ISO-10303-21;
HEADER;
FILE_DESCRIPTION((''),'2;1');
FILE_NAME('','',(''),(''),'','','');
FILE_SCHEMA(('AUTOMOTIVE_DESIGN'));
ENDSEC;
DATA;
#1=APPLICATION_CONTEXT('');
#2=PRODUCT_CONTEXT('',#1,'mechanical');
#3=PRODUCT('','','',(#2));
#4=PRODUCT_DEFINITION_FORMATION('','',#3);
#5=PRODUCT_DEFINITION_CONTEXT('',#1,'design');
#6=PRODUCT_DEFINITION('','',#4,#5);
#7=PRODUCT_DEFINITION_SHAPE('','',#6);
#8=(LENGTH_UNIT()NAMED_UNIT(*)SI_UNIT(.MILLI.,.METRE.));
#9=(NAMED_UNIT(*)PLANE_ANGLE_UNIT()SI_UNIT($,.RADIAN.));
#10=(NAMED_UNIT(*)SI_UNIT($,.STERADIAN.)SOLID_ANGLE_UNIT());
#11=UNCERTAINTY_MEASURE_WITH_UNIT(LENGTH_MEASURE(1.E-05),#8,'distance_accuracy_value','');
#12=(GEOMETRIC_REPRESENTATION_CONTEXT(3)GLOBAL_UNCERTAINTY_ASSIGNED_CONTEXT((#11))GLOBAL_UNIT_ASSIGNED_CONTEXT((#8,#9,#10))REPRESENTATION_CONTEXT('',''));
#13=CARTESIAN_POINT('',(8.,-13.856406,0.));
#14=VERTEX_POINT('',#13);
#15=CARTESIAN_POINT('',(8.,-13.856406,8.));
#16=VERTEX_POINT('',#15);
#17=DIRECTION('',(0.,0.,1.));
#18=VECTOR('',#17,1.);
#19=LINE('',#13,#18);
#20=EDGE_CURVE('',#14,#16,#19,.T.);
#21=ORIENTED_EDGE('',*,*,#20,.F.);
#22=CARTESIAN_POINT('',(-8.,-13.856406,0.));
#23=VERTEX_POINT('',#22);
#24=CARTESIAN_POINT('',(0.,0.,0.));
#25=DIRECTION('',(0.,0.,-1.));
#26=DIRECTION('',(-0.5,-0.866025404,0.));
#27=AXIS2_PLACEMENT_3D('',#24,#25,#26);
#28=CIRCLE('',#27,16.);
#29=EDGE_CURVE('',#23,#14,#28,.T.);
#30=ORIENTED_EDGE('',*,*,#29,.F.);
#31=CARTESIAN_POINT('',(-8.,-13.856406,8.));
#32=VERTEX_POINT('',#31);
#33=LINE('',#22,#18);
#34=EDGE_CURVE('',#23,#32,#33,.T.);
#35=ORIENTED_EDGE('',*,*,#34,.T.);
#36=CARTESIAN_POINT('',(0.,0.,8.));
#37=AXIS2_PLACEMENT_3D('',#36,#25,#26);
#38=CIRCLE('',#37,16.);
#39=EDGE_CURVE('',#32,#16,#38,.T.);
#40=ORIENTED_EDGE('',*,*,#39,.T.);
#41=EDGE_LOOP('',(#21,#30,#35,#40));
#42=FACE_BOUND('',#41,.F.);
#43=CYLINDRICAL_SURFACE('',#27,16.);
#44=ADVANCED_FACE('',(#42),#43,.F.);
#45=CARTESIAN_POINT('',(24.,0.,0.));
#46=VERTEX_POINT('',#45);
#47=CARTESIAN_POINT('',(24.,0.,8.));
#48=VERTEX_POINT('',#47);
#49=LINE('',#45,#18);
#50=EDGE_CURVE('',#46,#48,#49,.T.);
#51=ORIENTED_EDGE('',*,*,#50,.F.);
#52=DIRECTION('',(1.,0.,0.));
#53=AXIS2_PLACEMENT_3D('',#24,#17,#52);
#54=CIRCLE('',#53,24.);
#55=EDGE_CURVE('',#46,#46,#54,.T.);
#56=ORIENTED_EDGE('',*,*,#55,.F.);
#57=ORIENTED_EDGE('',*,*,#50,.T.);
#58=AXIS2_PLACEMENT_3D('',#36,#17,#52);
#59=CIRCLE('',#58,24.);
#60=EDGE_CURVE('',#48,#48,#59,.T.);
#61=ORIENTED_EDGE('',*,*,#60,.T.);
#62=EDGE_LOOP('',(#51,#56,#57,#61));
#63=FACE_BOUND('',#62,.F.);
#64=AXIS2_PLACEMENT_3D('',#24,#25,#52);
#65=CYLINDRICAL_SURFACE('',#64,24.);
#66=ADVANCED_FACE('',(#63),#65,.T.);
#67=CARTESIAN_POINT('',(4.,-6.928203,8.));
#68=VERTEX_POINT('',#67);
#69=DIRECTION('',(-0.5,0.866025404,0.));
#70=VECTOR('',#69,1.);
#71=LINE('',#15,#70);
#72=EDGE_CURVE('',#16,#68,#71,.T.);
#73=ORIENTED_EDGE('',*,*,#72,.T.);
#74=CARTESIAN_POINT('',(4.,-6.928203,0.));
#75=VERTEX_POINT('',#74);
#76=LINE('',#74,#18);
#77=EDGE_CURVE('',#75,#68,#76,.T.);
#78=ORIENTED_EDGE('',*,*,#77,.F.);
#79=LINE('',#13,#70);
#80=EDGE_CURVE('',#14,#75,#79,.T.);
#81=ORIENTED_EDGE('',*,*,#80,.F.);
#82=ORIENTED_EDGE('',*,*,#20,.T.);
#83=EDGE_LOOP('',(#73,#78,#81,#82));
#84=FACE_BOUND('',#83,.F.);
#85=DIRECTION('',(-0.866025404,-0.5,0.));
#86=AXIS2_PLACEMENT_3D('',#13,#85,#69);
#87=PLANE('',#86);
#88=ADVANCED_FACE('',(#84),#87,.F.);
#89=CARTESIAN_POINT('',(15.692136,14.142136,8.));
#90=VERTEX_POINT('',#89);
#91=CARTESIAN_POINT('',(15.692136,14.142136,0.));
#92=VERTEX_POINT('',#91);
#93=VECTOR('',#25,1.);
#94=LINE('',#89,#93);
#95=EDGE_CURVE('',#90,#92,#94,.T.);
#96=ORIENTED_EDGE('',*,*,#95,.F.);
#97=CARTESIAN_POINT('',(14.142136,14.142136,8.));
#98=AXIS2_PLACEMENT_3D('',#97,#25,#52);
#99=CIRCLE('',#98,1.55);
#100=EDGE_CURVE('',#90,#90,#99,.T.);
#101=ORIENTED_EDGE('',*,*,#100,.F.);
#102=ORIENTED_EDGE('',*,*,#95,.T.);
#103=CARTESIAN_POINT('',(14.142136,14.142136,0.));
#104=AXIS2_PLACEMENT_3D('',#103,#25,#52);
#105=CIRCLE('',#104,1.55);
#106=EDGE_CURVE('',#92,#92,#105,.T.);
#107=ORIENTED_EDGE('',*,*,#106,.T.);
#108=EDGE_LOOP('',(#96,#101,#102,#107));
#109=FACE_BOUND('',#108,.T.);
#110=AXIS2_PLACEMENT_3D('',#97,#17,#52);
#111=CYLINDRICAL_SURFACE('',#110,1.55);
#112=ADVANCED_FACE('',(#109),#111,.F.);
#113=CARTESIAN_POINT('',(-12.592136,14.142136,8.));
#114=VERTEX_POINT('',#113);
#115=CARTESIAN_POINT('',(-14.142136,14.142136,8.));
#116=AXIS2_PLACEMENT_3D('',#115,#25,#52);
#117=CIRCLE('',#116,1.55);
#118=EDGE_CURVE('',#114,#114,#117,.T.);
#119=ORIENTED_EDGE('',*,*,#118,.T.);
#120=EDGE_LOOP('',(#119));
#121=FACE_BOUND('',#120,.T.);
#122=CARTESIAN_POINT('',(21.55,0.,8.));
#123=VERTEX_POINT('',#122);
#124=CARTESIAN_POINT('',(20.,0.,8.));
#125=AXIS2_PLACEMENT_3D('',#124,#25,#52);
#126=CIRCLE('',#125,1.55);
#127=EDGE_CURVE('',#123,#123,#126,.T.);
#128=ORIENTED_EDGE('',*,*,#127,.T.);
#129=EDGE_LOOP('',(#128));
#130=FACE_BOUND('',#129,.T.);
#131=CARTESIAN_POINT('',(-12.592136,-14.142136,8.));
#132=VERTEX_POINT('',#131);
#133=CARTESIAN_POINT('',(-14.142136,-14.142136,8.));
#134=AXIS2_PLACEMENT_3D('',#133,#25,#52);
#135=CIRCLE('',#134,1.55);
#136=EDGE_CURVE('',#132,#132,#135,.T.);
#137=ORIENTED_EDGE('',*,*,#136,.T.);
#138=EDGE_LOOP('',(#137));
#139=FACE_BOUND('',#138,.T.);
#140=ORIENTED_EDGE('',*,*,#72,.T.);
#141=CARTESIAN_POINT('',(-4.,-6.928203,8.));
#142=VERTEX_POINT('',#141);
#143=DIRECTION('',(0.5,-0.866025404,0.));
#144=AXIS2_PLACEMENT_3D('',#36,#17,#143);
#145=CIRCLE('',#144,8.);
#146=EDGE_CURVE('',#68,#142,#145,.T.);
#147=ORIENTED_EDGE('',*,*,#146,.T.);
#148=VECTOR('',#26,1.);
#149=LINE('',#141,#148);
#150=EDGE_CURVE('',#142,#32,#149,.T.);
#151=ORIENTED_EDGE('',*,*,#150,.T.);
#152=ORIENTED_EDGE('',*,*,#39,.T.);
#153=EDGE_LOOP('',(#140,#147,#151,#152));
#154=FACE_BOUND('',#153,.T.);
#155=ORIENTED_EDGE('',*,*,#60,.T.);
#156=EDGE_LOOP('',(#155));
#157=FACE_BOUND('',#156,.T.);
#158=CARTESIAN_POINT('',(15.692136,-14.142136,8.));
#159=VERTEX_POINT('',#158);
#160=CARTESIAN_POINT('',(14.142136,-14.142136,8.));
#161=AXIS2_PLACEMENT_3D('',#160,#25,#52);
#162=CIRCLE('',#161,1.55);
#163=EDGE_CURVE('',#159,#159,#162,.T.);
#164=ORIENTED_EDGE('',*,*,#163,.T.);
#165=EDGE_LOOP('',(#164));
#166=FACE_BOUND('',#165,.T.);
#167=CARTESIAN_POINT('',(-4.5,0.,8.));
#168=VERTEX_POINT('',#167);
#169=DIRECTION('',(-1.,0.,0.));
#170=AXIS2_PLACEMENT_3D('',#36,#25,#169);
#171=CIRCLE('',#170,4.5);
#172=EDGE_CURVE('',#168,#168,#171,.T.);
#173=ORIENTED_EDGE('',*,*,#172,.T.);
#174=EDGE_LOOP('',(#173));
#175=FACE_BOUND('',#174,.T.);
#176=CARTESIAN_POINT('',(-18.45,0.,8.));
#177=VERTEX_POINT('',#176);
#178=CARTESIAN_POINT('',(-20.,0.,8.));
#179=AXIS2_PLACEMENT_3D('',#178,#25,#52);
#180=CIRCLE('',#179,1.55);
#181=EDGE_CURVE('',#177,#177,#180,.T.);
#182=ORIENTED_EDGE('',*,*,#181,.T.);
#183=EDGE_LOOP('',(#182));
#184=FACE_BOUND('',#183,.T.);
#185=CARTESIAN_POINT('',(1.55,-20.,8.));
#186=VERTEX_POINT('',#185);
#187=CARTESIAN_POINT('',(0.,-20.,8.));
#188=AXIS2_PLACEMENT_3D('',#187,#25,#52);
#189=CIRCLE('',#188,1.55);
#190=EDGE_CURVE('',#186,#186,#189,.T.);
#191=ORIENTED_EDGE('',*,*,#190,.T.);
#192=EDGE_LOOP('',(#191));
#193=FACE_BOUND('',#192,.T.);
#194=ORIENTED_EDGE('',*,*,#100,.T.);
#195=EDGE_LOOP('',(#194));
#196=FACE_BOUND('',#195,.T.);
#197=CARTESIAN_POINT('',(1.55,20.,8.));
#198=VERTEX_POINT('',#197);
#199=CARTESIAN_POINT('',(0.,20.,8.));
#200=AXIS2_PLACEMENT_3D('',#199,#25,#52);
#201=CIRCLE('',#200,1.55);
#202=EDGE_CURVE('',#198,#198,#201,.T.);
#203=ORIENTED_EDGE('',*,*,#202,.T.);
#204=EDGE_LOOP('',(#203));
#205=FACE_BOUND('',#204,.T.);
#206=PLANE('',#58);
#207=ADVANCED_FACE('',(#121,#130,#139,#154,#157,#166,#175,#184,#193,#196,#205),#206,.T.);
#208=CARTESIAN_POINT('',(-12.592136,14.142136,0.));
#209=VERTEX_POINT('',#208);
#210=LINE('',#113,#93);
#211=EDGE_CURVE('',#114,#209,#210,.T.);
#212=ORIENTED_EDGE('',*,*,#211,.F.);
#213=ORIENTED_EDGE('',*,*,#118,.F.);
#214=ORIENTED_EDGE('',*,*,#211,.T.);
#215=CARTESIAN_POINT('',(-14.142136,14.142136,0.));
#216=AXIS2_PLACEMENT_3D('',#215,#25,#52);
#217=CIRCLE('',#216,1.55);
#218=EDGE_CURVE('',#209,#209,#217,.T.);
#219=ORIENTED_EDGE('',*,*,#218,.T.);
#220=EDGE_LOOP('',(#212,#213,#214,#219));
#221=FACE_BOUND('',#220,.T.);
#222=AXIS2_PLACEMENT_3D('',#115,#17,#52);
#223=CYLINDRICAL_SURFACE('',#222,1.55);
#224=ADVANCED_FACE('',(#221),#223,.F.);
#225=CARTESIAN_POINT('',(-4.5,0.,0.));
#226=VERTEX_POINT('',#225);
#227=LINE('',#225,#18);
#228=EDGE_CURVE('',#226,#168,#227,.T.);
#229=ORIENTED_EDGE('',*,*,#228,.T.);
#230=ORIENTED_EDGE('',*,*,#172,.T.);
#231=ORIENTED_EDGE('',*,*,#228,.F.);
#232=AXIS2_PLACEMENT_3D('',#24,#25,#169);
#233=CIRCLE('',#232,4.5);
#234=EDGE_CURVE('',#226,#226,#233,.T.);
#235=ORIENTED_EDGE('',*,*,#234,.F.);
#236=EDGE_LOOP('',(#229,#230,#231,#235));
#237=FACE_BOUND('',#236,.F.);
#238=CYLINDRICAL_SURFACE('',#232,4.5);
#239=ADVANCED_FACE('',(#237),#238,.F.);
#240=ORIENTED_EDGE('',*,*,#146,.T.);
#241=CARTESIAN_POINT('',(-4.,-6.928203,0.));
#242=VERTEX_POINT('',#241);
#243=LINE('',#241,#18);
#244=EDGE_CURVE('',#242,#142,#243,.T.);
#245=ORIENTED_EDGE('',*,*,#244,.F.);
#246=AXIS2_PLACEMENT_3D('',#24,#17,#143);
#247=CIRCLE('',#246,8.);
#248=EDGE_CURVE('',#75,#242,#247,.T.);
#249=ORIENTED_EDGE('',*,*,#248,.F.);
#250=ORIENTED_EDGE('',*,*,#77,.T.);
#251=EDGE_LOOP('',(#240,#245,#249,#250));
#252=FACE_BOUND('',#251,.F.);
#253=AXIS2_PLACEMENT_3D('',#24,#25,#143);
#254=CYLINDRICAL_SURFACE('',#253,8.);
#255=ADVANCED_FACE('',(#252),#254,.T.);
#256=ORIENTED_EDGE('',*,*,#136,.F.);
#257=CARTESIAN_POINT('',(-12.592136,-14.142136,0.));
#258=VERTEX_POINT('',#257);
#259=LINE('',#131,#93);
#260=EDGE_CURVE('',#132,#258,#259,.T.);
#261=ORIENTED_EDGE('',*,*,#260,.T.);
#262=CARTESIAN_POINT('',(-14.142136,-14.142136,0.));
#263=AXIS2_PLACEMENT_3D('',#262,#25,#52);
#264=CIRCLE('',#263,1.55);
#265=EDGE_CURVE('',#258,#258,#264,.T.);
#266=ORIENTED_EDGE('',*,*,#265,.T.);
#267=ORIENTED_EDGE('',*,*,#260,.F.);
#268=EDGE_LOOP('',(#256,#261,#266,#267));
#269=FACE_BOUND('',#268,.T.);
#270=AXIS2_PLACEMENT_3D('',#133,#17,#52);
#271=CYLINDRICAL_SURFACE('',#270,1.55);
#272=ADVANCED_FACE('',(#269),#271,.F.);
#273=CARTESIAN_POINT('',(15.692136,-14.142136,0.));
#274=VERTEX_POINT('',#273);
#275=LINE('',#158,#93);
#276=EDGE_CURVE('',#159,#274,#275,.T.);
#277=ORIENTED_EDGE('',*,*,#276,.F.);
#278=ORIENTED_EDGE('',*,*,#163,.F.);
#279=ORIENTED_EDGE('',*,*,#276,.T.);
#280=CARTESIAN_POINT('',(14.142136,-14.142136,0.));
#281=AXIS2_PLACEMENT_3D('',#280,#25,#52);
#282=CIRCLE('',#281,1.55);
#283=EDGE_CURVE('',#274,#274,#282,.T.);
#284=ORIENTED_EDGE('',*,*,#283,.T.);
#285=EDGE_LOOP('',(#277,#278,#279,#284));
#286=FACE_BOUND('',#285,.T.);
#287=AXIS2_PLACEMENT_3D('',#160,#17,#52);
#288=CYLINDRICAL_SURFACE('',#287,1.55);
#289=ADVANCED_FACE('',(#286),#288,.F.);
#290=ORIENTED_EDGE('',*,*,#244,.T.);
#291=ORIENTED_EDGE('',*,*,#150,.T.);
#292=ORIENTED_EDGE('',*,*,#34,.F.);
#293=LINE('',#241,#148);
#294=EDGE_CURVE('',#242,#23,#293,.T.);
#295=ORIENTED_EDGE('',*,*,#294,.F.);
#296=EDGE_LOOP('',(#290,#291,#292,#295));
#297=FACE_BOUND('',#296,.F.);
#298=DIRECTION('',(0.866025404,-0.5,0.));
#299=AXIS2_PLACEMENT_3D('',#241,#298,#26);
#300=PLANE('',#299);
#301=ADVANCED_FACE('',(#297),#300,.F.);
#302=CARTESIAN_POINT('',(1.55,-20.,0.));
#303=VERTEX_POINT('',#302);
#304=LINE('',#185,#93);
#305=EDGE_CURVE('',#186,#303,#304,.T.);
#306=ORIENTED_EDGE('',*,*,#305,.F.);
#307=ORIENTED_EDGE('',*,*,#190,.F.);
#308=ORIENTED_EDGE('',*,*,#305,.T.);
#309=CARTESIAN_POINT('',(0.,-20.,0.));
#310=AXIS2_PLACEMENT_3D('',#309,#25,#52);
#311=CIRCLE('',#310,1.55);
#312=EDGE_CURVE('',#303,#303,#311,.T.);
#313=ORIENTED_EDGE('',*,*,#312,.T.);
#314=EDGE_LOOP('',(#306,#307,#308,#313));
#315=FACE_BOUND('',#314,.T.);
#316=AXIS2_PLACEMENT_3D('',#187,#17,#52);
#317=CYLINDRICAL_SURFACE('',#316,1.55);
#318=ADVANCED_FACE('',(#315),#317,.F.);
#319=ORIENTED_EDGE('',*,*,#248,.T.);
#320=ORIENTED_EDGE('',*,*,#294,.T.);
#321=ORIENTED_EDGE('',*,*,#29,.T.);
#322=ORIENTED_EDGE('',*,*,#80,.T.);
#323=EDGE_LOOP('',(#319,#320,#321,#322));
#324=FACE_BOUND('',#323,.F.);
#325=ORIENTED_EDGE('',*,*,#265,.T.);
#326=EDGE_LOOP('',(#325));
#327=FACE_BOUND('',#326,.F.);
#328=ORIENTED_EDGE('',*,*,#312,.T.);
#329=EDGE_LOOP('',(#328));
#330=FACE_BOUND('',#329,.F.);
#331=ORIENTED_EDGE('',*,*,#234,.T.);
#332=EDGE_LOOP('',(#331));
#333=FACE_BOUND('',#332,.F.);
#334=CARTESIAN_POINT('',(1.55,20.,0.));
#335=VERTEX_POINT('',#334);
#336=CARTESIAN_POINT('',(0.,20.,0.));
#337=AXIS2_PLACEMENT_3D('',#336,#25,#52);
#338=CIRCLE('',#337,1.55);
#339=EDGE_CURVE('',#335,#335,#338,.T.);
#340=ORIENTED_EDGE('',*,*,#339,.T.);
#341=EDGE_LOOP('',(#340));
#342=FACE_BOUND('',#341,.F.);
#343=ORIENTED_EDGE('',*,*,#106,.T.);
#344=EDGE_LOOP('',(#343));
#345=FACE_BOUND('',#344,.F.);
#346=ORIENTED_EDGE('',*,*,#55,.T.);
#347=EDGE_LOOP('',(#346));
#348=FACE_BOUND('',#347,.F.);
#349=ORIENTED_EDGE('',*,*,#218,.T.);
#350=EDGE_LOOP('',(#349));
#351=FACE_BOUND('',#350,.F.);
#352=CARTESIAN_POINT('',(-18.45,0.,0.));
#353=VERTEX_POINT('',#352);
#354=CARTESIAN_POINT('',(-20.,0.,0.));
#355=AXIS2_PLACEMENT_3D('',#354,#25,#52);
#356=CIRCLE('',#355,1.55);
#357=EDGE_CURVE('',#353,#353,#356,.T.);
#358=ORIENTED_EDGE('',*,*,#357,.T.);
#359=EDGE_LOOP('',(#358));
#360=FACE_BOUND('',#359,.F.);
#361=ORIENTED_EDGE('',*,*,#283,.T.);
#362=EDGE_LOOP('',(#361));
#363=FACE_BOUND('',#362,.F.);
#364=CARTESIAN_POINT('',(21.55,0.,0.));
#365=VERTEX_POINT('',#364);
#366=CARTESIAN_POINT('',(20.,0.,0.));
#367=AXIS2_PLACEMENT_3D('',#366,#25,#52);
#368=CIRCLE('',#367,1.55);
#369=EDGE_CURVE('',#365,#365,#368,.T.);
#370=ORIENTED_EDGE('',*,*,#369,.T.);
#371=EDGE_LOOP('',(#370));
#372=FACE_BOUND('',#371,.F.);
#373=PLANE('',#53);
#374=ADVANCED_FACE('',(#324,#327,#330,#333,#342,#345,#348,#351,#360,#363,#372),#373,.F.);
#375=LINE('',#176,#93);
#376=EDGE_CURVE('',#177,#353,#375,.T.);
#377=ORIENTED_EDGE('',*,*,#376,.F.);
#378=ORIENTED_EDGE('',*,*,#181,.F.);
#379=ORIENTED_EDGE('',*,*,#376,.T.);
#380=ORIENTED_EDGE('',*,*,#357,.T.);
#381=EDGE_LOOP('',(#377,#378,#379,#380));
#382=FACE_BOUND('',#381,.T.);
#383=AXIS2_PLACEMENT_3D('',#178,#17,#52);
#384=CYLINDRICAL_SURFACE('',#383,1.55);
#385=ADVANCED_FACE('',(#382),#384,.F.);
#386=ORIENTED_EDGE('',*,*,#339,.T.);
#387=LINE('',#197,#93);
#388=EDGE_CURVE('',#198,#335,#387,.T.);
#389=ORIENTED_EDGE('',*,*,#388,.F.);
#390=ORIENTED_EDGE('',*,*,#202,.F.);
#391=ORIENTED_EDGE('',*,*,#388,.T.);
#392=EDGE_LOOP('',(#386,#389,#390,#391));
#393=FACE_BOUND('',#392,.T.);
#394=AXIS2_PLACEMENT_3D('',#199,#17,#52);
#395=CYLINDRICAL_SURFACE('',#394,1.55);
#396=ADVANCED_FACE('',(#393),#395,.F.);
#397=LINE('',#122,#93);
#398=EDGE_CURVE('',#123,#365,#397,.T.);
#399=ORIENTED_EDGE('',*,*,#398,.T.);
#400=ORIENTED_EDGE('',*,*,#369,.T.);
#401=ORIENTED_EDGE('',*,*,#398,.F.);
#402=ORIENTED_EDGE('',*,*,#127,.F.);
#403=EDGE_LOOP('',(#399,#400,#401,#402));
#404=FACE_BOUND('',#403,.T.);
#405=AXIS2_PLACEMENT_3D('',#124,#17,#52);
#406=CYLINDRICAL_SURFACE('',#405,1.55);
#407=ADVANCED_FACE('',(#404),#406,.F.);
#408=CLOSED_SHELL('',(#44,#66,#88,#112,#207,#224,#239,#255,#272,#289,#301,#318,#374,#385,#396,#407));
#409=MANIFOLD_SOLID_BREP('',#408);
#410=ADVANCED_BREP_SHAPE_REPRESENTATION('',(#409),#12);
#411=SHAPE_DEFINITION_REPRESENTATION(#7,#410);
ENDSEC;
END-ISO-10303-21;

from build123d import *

# Parameters (mm, degrees)
SKETCH6_R           = 24
BOSS_EXTRUDE1_DEPTH = 8
CUT_EXTRUDE4_DEPTH  = 8
SKETCH7_R           = 4.5
CUT_EXTRUDE5_DEPTH  = 8
SKETCH8_R           = 1.55
CUT_EXTRUDE6_DEPTH  = 8


with BuildPart() as part:
    # Sketch6 → Boss-Extrude1 (new body)
    with BuildSketch(Plane.XY):
        Circle(SKETCH6_R)
    extrude(amount=BOSS_EXTRUDE1_DEPTH)

    # Sketch4 → Cut-Extrude4 (cut)
    with BuildSketch(Plane.XY):
        with BuildLine():
            Line((-4, -6.92820323), (-8, -13.856406461))
            ThreePointArc((-8, -13.856406461), (0, 16), (8, -13.856406461))
            Line((8, -13.856406461), (4, -6.92820323))
            ThreePointArc((4, -6.92820323), (0, 8), (-4, -6.92820323))
        make_face()
    extrude(amount=CUT_EXTRUDE4_DEPTH, mode=Mode.SUBTRACT)

    # Sketch7 → Cut-Extrude5 (cut)
    with BuildSketch(Plane(origin=(0, 0, 0), x_dir=(-1, 0, 0), z_dir=(0, 0, -1))):
        Circle(SKETCH7_R)
    extrude(amount=-CUT_EXTRUDE5_DEPTH, mode=Mode.SUBTRACT)

    # Sketch8 → Cut-Extrude6 (cut)
    with BuildSketch(Plane(origin=(0, 0, 8), x_dir=(-1, 0, 0), z_dir=(0, 0, -1))):
        with Locations(Location((0, 20, 0), (0, 0, 180))):
            Circle(SKETCH8_R)
        with Locations(Location((14.142135624, 14.142135624, 0), (0, 0, 180))):
            Circle(SKETCH8_R)
        with Locations(Location((20, 0, 0), (0, 0, 180))):
            Circle(SKETCH8_R)
        with Locations(Location((14.142135624, -14.142135624, 0), (0, 0, 180))):
            Circle(SKETCH8_R)
        with Locations(Location((0, -20, 0), (0, 0, 180))):
            Circle(SKETCH8_R)
        with Locations(Location((-14.142135624, -14.142135624, 0), (0, 0, 180))):
            Circle(SKETCH8_R)
        with Locations(Location((-20, 0, 0), (0, 0, 180))):
            Circle(SKETCH8_R)
        with Locations(Location((-14.142135624, 14.142135624, 0), (0, 0, 180))):
            Circle(SKETCH8_R)
    extrude(amount=CUT_EXTRUDE6_DEPTH, mode=Mode.SUBTRACT)


solid = part.part
